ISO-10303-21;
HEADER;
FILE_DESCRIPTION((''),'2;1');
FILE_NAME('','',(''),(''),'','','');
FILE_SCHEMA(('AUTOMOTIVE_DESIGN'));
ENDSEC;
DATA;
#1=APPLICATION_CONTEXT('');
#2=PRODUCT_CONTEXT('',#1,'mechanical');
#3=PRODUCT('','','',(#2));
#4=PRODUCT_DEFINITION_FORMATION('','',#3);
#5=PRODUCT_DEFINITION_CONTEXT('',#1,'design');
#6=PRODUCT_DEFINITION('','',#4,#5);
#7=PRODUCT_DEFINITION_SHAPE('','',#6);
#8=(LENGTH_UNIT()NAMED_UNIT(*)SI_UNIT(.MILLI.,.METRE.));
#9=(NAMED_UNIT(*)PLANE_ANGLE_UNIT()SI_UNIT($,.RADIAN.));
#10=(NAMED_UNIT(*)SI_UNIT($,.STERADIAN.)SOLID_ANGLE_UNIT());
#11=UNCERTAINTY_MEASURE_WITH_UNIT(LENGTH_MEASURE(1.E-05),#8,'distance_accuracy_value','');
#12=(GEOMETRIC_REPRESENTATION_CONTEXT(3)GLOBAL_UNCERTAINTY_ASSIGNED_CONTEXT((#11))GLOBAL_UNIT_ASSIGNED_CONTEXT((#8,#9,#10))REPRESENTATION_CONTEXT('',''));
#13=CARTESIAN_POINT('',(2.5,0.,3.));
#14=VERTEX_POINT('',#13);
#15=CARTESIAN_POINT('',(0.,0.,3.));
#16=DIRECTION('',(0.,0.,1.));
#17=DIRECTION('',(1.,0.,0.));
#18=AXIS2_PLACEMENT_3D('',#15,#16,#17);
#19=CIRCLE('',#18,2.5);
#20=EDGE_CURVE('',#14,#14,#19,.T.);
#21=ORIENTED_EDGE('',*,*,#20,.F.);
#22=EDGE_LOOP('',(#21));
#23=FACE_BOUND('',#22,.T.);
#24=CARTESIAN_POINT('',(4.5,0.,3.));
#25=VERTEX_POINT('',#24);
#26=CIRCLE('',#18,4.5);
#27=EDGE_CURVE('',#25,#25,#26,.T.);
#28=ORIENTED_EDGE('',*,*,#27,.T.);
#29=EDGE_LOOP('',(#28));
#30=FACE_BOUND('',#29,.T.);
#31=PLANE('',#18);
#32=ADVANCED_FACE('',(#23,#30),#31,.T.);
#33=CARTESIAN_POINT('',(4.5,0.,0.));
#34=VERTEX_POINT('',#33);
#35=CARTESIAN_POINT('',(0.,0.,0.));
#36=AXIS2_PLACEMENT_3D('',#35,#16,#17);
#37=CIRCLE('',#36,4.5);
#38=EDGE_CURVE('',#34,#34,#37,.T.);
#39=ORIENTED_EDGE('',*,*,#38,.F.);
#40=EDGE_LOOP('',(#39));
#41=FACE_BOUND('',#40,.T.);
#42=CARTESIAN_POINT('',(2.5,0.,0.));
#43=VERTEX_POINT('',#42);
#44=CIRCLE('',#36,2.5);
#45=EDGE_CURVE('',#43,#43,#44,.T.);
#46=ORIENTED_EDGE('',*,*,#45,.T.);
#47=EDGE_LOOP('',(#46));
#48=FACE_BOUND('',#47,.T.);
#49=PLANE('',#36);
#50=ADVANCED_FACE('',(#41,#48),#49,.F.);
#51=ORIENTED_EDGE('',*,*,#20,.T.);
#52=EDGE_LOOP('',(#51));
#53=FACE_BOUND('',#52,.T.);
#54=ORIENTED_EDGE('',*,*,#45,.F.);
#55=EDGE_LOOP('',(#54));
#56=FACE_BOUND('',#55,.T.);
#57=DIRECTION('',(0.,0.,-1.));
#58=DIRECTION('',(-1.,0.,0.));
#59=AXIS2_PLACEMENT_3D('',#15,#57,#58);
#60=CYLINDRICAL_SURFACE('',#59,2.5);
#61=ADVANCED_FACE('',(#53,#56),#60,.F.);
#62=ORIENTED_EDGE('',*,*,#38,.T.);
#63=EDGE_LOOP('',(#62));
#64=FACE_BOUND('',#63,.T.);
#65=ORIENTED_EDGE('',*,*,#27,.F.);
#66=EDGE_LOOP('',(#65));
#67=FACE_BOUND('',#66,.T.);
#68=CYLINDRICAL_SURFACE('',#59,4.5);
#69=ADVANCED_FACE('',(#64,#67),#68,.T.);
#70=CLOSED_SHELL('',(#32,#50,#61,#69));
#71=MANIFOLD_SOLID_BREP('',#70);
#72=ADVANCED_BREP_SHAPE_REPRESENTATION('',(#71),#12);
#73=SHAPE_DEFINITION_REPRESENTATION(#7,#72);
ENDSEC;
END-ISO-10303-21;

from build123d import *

# Parameters (mm, degrees)
CROQUIS1_R              = 4.5
CROQUIS1_R_2            = 2.5
SALIENTE_EXTRUIR1_DEPTH = 3


with BuildPart() as part:
    # Croquis1 → Saliente-Extruir1 (new body)
    with BuildSketch(Plane.XY):
        Circle(CROQUIS1_R)
        Circle(CROQUIS1_R_2, mode=Mode.SUBTRACT)
    extrude(amount=SALIENTE_EXTRUIR1_DEPTH)


solid = part.part
